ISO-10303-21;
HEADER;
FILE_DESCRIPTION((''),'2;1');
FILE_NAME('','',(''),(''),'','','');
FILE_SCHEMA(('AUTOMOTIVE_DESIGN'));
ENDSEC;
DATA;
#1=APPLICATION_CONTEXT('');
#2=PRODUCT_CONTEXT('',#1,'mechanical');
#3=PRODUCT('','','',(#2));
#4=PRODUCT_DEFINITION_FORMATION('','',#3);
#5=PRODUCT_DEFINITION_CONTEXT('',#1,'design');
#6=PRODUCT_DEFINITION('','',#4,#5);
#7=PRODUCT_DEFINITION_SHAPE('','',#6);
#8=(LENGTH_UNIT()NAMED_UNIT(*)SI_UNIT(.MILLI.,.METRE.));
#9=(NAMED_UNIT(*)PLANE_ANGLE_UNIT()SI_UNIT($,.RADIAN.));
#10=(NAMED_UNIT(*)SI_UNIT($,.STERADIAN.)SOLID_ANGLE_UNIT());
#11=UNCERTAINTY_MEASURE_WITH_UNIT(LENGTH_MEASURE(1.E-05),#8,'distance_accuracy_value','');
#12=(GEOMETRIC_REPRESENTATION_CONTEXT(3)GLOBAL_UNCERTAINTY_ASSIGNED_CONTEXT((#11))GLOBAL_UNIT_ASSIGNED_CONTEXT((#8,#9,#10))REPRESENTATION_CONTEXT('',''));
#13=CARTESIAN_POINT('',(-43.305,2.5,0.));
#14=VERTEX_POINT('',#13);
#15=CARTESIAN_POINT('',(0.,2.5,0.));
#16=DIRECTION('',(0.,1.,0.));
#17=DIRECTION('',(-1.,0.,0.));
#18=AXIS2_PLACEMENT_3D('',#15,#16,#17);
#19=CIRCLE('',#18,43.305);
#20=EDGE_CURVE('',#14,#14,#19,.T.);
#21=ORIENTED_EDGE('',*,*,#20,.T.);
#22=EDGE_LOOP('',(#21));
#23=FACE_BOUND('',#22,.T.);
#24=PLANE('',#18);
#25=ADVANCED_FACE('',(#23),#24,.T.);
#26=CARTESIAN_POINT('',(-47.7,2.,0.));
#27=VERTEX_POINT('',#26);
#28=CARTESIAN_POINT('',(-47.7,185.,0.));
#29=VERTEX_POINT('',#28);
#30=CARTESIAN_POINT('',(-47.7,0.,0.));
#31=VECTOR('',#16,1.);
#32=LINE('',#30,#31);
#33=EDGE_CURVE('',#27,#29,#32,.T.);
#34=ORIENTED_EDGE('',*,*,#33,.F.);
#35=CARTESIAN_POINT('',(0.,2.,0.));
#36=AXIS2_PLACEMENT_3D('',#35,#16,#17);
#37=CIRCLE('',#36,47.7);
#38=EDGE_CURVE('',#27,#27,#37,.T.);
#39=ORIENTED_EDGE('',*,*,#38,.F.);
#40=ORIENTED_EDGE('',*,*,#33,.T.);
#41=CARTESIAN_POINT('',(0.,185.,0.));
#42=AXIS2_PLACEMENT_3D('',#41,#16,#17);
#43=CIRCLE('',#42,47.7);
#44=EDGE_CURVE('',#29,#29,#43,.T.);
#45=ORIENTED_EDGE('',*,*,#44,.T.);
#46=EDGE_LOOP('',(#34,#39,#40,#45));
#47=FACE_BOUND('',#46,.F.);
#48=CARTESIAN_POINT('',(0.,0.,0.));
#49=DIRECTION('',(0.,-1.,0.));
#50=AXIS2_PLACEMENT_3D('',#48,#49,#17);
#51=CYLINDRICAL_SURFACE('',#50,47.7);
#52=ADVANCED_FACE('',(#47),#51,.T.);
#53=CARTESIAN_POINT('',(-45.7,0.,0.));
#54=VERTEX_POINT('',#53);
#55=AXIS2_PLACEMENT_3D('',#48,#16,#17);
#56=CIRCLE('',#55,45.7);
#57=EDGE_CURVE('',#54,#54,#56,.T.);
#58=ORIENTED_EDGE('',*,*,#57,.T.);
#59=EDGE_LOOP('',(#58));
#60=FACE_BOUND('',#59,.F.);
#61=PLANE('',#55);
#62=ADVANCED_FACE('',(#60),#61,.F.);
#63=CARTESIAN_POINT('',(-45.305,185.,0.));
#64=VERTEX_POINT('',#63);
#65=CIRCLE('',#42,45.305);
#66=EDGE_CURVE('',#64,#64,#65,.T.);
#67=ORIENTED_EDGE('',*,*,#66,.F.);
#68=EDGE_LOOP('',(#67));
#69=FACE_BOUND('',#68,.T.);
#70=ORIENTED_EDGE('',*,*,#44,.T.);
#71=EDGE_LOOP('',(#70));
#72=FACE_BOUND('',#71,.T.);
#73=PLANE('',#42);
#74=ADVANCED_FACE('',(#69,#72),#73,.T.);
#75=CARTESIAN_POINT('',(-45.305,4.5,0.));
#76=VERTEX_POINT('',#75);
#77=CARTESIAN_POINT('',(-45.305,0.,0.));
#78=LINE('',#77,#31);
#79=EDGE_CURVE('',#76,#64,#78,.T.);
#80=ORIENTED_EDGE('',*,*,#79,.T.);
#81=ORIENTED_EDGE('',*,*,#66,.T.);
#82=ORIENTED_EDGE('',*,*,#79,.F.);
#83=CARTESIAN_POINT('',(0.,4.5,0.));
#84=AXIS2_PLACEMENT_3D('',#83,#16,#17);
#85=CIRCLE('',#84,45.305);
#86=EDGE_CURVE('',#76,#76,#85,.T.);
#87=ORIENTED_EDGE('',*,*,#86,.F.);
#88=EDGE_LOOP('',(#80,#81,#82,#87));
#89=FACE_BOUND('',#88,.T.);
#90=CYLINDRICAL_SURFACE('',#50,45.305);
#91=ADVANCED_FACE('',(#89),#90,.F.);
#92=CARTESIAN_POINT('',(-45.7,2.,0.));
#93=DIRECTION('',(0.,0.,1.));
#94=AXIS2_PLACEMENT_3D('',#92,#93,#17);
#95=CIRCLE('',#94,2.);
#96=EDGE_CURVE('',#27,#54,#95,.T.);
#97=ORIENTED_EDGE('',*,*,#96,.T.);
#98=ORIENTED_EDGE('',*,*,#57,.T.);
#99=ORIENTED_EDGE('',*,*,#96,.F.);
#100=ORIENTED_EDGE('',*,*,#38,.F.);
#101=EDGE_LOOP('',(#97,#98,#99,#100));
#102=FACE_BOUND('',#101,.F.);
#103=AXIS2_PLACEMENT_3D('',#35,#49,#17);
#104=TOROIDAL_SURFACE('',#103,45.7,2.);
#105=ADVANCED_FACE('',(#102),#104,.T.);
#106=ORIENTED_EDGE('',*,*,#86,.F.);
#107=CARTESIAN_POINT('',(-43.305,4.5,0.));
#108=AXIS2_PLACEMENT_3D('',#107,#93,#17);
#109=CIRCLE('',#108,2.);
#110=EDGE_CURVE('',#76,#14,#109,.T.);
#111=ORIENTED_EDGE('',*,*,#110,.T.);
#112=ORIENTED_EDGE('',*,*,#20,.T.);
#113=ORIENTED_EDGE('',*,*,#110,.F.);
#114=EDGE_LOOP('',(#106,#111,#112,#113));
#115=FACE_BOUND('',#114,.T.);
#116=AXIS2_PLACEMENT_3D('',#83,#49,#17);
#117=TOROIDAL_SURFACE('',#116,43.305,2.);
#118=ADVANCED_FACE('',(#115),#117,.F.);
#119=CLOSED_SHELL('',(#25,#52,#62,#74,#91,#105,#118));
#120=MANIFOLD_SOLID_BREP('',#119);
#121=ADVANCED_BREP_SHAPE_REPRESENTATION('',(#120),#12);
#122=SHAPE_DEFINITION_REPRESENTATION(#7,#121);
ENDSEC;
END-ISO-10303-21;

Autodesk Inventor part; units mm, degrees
ref_plane "YZ Plane" through (0, 0, 0) normal (1, 0, 0) x (0, 1, 0)
ref_plane "XZ Plane" through (0, 0, 0) normal (0, 1, 0) x (-1, 0, 0)
ref_plane "XY Plane" through (0, 0, 0) normal (0, 0, 1) x (1, 0, 0)
sketch "Esquisse1" plane through (0, 0, 0) normal (0, 1, 0) x (-1, 0, 0)
  circle A0 centre (0, 0) radius 45.305
  circle A1 centre (0, 0) radius 47.7
  dimension "d0" = 90.61
  dimension "d1" = 95.4
extrude "Extrusion1" add sketch "Esquisse1" along normal blind 185
extrude "Extrusion2" add sketch "Esquisse1" along normal blind 2.5 contours A0
fillet "Congé1" radius 2 2 edges at (45.305, 2.5, 0) (47.7, 0, 0)
properties part number "Bocal"
